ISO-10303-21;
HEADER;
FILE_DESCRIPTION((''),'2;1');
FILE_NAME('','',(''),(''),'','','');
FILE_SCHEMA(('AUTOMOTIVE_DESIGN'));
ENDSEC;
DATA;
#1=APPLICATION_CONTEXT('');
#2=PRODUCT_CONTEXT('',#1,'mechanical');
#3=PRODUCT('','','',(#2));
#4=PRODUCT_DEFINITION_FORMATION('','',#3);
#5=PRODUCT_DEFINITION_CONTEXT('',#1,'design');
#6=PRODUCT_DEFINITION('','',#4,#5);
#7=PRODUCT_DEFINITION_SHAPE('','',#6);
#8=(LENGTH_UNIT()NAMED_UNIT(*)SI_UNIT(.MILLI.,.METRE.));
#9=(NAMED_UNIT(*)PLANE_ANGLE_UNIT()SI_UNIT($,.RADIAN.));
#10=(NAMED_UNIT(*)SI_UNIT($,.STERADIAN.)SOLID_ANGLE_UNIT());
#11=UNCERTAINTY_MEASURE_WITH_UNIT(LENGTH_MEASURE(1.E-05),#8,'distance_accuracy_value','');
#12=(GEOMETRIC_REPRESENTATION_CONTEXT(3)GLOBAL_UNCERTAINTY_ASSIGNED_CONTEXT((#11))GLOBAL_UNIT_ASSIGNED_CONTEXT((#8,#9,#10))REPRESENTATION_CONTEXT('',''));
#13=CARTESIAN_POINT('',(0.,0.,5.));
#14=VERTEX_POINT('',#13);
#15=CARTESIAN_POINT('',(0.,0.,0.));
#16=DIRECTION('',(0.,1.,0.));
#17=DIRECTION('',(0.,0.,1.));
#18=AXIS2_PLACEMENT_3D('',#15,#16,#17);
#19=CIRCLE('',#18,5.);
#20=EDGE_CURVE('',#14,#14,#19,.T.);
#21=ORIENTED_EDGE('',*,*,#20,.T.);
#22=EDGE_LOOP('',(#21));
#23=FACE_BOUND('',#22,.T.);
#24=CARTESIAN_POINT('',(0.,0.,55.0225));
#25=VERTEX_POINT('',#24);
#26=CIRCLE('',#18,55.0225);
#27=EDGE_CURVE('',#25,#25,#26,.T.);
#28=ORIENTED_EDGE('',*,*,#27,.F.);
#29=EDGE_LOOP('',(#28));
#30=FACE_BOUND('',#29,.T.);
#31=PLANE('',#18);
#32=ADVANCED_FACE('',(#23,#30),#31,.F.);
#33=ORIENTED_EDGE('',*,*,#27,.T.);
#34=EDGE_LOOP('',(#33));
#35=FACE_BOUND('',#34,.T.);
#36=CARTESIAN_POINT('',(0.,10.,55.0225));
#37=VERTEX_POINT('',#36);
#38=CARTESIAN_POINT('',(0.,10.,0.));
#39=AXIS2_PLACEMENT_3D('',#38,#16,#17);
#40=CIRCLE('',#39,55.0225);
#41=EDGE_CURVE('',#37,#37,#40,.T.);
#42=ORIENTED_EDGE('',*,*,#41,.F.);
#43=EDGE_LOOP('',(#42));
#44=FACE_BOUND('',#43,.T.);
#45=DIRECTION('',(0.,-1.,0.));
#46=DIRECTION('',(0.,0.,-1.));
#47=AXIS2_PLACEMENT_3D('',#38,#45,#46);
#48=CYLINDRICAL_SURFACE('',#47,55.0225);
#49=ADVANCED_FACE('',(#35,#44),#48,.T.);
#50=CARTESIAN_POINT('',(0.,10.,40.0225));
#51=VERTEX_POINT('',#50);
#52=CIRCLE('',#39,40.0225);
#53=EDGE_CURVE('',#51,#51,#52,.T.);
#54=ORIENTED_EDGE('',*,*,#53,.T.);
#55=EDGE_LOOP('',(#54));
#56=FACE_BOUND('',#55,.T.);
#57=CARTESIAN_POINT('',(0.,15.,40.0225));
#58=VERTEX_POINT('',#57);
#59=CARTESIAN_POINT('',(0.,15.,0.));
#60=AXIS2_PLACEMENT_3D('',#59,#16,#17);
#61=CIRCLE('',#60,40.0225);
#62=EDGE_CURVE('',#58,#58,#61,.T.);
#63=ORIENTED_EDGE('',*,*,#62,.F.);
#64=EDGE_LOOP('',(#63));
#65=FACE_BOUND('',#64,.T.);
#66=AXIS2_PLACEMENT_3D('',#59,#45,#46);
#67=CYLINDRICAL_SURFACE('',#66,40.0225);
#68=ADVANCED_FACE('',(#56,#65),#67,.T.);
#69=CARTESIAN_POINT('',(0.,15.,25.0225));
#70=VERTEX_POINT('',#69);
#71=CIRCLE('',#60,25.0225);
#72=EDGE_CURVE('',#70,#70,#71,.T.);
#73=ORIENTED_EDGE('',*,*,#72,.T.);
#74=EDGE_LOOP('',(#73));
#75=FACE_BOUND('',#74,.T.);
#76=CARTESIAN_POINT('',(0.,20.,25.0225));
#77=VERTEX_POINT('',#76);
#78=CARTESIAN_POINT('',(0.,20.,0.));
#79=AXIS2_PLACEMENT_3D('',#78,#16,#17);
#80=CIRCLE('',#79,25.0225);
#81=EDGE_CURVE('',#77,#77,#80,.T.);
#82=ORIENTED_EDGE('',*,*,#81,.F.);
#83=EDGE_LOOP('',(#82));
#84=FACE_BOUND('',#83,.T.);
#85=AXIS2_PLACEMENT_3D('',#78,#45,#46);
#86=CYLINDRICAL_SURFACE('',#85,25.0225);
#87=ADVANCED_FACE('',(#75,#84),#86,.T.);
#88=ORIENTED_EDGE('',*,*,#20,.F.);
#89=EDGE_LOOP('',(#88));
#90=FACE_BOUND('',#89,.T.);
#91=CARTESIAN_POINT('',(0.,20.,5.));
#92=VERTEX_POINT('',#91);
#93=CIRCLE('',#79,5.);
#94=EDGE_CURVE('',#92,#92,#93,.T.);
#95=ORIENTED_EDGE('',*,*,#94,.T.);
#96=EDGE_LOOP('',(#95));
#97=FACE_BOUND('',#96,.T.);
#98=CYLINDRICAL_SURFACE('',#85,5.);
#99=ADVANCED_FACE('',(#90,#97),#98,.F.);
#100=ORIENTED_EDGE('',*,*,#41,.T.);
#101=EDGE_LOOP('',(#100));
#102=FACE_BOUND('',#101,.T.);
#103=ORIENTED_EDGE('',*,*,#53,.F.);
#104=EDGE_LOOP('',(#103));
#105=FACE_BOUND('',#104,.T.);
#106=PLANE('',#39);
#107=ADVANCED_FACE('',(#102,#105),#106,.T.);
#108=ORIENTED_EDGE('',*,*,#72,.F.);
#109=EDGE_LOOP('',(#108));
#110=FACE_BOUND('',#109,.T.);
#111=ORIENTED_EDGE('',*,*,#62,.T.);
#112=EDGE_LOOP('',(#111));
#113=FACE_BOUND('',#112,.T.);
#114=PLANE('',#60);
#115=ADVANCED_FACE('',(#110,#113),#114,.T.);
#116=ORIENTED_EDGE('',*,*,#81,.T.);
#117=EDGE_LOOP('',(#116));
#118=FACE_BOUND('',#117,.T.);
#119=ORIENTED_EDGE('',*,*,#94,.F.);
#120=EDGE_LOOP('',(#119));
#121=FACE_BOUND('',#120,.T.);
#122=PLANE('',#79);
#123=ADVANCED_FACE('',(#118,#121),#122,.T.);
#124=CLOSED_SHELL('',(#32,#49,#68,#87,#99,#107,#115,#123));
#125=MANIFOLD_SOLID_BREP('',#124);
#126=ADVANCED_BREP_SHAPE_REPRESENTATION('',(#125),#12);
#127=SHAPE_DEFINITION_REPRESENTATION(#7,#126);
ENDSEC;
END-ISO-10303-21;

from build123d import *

# Parameters (mm, degrees)
SCHIZZO2_R                   = 55.0225
SCHIZZO2_R_2                 = 40.0225
ESTRUSIONE_ESTRUSIONE1_DEPTH = 10
SCHIZZO2_3_R                 = 40.0225
SCHIZZO2_3_R_2               = 25.0225
ESTRUSIONE_ESTRUSIONE2_DEPTH = 15
SCHIZZO2_4_R                 = 25.0225
SCHIZZO2_4_R_2               = 5
ESTRUSIONE_ESTRUSIONE3_DEPTH = 20


with BuildPart() as part:
    # Schizzo2 → Estrusione-Estrusione1 (new body)
    with BuildSketch(Plane(origin=(0, 0, 0), x_dir=(1, 0, 0), z_dir=(0, 1, 0))):
        Circle(SCHIZZO2_R)
        Circle(SCHIZZO2_R_2, mode=Mode.SUBTRACT)
    extrude(amount=ESTRUSIONE_ESTRUSIONE1_DEPTH)

    # Schizzo2<3> → Estrusione-Estrusione2 (add)
    with BuildSketch(Plane(origin=(0, 0, 0), x_dir=(1, 0, 0), z_dir=(0, 1, 0))):
        Circle(SCHIZZO2_3_R)
        Circle(SCHIZZO2_3_R_2, mode=Mode.SUBTRACT)
    extrude(amount=ESTRUSIONE_ESTRUSIONE2_DEPTH)

    # Schizzo2<4> → Estrusione-Estrusione3 (add)
    with BuildSketch(Plane(origin=(0, 0, 0), x_dir=(1, 0, 0), z_dir=(0, 1, 0))):
        Circle(SCHIZZO2_4_R)
        Circle(SCHIZZO2_4_R_2, mode=Mode.SUBTRACT)
    extrude(amount=ESTRUSIONE_ESTRUSIONE3_DEPTH)


solid = part.part
